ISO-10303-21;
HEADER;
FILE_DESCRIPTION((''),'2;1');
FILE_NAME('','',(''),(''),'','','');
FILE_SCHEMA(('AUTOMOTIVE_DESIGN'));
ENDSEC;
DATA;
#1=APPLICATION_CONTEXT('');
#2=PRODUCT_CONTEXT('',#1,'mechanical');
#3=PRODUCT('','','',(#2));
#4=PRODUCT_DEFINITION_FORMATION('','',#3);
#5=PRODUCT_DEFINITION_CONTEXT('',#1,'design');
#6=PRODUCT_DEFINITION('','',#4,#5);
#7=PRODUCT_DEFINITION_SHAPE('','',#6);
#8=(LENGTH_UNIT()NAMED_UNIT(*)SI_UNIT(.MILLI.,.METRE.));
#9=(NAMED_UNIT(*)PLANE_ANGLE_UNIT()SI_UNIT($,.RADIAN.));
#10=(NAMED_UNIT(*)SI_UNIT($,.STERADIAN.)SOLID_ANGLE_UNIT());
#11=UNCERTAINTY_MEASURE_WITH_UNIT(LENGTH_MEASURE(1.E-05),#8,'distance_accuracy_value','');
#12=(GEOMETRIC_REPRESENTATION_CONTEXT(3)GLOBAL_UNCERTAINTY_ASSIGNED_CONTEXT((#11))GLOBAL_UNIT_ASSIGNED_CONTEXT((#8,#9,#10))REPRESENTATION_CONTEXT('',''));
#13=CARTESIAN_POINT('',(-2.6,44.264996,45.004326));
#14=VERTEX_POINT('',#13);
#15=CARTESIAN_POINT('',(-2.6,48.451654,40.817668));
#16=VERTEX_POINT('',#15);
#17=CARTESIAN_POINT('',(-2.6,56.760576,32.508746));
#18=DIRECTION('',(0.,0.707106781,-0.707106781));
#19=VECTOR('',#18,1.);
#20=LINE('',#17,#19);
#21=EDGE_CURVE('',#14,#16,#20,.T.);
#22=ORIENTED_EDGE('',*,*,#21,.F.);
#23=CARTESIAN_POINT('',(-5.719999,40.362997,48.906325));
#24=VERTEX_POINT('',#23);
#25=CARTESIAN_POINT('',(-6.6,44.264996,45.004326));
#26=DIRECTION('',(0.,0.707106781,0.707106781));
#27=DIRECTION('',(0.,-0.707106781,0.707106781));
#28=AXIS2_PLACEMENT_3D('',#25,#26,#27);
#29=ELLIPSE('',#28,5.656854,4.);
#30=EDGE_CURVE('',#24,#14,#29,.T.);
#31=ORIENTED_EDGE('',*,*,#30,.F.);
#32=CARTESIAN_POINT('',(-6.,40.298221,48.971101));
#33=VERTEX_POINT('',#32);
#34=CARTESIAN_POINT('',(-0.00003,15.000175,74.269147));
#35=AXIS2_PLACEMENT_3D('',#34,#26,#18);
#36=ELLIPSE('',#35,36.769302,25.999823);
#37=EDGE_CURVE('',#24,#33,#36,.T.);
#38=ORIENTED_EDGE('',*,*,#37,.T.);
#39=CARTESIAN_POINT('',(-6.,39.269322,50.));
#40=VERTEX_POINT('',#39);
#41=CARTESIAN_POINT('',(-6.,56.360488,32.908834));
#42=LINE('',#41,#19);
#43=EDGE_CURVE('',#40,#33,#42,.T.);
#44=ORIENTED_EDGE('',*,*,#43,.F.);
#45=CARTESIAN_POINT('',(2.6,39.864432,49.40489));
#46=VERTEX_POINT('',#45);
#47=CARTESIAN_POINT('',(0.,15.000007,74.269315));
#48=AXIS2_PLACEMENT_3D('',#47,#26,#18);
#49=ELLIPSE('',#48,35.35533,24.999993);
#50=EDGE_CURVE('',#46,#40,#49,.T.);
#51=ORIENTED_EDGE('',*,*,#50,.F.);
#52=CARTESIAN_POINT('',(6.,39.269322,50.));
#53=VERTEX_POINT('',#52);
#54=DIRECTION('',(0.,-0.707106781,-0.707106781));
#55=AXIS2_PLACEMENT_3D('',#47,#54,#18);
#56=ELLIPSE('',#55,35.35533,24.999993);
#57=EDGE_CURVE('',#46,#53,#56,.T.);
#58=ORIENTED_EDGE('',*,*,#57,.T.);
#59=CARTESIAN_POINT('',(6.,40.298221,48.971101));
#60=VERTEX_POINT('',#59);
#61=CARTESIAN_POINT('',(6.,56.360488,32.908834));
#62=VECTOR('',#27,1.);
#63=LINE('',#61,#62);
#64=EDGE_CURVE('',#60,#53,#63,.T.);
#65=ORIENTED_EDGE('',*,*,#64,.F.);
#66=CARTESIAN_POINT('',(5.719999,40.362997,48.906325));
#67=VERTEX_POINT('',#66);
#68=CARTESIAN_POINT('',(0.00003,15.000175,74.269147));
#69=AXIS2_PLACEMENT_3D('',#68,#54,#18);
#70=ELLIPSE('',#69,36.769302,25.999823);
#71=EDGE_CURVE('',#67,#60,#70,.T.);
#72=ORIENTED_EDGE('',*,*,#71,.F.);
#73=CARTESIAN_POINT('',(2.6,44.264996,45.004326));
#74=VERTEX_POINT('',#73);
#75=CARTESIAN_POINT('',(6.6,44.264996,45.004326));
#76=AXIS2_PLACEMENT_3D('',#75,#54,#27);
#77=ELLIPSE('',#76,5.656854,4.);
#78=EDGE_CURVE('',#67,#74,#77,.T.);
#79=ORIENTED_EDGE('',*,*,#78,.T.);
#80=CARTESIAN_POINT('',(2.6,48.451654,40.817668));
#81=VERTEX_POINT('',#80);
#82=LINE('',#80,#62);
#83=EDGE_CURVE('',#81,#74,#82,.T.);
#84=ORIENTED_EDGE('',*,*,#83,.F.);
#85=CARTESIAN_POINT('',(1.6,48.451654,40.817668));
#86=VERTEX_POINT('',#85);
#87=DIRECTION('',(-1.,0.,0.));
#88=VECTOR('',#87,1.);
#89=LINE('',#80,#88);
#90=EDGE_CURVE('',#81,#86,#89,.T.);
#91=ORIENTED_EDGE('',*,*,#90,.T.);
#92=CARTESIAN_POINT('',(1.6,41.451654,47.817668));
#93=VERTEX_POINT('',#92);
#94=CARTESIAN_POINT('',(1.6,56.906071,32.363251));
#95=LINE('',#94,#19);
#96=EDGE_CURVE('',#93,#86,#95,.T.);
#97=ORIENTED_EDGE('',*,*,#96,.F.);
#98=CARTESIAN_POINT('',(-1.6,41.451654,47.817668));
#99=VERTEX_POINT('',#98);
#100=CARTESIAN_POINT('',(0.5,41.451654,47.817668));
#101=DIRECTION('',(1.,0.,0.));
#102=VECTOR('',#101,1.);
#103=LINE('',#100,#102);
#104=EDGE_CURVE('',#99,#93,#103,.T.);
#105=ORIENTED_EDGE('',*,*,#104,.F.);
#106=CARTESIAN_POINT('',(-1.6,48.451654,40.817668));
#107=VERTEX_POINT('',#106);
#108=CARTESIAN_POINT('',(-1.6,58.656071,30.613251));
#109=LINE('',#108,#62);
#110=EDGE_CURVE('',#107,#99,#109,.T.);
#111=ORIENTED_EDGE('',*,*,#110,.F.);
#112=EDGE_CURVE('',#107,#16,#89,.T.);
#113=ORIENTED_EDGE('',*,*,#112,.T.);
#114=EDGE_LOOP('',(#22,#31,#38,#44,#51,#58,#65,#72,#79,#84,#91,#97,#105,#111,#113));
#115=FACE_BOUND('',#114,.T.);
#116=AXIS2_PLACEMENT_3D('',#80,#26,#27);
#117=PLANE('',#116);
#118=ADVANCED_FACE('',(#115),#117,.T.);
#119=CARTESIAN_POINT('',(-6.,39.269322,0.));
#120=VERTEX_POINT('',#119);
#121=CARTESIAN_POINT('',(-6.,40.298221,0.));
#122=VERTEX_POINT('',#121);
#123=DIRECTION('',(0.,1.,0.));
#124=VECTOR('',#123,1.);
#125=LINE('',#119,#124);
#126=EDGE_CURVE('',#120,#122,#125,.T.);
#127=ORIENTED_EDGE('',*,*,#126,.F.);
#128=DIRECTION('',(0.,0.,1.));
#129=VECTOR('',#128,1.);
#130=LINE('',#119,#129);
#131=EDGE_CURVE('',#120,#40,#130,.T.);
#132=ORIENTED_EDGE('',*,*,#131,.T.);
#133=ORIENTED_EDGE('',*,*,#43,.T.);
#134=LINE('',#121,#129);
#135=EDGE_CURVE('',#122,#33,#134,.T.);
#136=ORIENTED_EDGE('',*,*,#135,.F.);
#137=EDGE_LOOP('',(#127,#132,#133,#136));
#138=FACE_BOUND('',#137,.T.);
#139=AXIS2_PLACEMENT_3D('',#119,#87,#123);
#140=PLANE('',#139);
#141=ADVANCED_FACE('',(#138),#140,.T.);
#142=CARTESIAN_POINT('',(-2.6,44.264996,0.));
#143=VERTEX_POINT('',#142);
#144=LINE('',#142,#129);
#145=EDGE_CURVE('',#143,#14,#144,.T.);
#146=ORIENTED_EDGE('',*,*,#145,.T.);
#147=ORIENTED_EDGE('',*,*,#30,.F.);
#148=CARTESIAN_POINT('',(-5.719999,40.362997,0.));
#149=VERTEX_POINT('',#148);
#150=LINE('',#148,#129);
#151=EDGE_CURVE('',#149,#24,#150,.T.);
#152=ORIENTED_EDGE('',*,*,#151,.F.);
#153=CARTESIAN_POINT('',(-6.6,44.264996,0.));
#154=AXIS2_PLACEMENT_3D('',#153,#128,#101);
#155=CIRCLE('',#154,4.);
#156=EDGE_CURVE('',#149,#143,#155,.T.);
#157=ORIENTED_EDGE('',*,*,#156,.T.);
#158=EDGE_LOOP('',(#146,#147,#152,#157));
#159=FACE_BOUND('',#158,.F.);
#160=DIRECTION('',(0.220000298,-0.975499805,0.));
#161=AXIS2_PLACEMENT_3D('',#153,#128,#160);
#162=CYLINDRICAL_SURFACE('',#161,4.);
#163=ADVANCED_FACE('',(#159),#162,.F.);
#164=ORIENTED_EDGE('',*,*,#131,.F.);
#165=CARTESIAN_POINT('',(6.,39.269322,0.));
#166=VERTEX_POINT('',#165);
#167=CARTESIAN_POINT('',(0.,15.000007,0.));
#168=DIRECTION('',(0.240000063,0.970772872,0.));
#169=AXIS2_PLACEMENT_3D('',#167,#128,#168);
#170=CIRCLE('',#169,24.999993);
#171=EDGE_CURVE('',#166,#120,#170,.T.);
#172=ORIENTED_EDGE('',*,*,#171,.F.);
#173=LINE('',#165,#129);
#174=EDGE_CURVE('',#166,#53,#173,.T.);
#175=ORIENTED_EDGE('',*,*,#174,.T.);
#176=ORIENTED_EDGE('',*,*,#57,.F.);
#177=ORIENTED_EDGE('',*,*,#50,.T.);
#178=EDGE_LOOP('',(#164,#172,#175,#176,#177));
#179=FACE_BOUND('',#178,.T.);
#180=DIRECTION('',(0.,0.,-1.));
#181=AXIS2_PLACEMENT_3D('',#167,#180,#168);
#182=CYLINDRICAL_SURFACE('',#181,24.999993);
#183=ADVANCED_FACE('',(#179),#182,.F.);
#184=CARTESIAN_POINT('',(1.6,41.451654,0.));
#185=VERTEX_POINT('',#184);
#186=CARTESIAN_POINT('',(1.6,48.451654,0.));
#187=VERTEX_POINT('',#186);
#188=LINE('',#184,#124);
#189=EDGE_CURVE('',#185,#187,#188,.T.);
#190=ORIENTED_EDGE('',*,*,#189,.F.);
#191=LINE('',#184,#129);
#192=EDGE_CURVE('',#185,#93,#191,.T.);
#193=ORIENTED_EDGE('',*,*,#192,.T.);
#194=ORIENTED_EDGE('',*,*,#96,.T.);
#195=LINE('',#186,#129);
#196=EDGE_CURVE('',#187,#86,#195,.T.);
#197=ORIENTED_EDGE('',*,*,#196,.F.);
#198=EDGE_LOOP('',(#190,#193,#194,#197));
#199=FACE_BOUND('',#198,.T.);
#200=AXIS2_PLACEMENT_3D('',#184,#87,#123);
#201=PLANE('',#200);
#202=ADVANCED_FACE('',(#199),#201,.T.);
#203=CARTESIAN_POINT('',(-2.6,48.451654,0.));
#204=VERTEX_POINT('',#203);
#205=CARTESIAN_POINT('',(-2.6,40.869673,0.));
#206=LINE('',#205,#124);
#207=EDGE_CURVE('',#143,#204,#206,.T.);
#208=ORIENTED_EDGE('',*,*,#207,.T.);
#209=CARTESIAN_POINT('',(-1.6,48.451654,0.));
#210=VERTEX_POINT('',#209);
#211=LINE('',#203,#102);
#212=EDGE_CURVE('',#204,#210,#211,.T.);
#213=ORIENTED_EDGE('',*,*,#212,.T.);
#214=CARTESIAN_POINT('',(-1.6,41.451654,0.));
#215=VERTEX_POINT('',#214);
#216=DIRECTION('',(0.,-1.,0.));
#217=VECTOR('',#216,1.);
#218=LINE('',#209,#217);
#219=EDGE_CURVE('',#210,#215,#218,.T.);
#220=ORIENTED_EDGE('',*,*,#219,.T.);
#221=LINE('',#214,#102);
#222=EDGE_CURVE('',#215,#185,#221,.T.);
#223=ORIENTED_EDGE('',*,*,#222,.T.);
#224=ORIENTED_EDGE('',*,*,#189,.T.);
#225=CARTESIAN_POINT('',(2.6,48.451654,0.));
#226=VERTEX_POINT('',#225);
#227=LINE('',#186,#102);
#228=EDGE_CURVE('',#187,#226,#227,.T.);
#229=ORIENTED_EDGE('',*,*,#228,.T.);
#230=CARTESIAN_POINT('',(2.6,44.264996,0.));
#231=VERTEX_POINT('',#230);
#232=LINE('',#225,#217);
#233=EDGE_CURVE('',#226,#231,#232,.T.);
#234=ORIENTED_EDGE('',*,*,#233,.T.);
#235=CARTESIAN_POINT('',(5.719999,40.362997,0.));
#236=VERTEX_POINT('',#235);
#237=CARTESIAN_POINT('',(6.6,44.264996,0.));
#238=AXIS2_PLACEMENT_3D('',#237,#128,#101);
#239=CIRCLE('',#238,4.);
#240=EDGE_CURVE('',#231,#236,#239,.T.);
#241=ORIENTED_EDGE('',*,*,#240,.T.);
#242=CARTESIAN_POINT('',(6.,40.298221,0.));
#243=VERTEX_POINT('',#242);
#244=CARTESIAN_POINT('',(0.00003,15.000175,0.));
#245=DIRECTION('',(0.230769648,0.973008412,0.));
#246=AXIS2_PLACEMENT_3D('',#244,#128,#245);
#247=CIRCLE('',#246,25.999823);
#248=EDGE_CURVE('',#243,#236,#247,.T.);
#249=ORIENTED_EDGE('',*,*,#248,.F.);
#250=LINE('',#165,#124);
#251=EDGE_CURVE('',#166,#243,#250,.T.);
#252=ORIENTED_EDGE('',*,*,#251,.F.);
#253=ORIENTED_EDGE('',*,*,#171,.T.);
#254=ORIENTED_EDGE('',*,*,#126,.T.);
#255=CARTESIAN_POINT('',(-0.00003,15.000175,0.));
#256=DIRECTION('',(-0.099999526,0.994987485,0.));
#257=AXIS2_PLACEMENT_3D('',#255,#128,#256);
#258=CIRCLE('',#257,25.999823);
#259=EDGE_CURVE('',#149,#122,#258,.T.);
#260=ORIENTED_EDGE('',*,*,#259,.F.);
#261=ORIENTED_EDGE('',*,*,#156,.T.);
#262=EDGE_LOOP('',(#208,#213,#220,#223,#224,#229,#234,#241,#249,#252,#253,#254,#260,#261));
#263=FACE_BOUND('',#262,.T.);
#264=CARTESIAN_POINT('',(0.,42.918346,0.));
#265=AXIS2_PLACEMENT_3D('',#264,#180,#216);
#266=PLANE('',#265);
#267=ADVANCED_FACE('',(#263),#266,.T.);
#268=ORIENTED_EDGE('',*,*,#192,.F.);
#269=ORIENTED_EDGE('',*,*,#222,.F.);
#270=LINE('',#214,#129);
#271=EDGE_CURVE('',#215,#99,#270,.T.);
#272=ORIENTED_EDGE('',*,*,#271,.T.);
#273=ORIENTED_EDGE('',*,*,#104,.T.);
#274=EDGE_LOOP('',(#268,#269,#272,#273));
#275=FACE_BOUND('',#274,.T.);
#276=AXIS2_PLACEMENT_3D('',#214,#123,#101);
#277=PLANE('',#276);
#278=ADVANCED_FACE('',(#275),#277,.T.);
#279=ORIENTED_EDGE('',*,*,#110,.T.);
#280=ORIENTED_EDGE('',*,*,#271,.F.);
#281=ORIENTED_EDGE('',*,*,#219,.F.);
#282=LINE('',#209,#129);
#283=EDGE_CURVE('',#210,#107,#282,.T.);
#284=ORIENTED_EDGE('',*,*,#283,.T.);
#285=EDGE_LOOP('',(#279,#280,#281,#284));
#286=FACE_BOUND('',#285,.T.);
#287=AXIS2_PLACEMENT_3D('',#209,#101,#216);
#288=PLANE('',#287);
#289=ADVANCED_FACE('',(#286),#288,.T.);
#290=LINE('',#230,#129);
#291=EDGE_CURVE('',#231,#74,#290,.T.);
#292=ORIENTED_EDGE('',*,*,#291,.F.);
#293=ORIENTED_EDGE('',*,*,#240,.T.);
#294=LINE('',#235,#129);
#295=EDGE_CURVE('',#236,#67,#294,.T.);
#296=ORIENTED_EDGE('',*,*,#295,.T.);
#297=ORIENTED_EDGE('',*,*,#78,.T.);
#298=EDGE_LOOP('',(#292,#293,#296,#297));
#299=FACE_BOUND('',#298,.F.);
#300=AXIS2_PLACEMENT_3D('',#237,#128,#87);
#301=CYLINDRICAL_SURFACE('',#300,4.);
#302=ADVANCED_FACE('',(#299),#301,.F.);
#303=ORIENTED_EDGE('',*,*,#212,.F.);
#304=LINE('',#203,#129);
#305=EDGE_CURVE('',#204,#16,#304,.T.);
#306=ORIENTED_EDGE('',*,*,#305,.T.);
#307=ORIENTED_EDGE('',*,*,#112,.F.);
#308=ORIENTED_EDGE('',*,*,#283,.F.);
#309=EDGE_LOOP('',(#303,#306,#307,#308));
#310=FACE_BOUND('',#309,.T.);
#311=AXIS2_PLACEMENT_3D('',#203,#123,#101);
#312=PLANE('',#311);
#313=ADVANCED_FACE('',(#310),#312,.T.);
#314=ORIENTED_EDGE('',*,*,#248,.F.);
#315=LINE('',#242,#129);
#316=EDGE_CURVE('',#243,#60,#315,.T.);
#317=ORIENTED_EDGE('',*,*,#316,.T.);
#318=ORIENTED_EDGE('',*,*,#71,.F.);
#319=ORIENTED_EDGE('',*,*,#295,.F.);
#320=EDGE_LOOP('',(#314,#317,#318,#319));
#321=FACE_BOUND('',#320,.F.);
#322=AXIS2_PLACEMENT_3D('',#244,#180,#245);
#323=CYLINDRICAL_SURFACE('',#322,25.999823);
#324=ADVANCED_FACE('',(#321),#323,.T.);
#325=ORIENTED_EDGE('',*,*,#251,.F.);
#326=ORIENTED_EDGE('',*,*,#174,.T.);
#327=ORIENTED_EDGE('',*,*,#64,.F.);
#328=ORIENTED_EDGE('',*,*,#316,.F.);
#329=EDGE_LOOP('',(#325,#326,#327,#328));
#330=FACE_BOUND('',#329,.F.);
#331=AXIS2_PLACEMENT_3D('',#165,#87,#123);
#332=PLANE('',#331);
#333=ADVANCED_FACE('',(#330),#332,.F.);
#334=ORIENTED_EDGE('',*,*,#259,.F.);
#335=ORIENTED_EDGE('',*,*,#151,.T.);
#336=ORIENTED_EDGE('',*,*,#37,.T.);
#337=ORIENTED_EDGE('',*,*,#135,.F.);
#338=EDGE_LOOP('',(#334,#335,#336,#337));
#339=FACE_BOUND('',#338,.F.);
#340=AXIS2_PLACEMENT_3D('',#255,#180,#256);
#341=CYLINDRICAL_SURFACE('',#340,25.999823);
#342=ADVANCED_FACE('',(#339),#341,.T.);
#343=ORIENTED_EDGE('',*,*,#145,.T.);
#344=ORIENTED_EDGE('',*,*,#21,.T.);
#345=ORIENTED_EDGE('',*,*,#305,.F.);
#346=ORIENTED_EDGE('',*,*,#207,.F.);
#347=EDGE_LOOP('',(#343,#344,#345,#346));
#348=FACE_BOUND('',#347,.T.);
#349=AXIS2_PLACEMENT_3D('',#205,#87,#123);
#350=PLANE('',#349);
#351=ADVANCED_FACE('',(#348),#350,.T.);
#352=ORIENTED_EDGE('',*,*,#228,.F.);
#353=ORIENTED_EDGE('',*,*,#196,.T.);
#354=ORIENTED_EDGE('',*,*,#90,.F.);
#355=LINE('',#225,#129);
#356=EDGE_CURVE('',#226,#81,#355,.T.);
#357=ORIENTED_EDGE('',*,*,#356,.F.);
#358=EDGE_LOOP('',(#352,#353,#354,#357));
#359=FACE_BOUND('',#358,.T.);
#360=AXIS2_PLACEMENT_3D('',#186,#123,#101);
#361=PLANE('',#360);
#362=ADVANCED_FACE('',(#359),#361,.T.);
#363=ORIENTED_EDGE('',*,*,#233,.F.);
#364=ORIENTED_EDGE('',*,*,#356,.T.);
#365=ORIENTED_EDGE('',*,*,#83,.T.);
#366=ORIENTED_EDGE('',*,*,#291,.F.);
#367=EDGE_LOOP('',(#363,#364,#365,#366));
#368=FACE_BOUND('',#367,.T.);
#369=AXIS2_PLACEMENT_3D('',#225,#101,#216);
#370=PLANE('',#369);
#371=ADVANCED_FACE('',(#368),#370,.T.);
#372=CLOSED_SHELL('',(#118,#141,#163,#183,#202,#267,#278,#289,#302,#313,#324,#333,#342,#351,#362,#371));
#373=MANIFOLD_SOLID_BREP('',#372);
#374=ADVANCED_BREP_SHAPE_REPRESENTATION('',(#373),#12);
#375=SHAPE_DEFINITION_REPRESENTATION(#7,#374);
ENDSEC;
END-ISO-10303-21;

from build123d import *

# Parameters (mm, degrees)
PAD002_DEPTH            = 50
FILLET001_R             = 4
POCKET001_DEPTH         = 8.601
POCKET001_DEPTH_BACK    = 3.401
BODY003_PLACEMENT_ANGLE = 90


with BuildPart() as part:
    # Sketch004 → Pad002 (new body)
    with BuildSketch(Plane.XY):
        with BuildLine():
            ThreePointArc((24.269322, -6), (25, 0), (24.269322, 6))
            Line((24.269322, 6), (25.298221, 6))
            ThreePointArc((25.869673, 2.6), (25.640366, 4.309482), (25.298221, 6))
            Line((25.869673, 2.6), (33.451654, 2.6))
            Line((33.451654, 2.6), (33.451654, 1.6))
            Line((33.451654, 1.6), (26.451654, 1.6))
            Line((26.451654, 1.6), (26.451654, -1.6))
            Line((26.451654, -1.6), (33.451654, -1.6))
            Line((33.451654, -1.6), (33.451654, -2.6))
            Line((33.451654, -2.6), (25.869673, -2.6))
            ThreePointArc((25.298221, -6), (25.640366, -4.309482), (25.869673, -2.6))
            Line((24.269322, -6), (25.298221, -6))
        make_face()
    extrude(amount=PAD002_DEPTH)

    # Fillet001
    fillet001_edges = [part.edges().sort_by_distance(p)[0] for p in [
        (25.869673, -2.6, 25),
        (25.869673, 2.6, 25),
    ]]
    fillet(fillet001_edges, radius=FILLET001_R)

    # Sketch005 (on Face15 of Fillet001) → Pocket001 (cut, two sides)
    with BuildSketch(Plane.XZ.offset(2.6)) as pocket001_sk:
        Polygon((33.451654, 50), (33.451654, 40.817668), (24.269322, 50), align=None)
    extrude(amount=-POCKET001_DEPTH, mode=Mode.SUBTRACT)
    extrude(pocket001_sk.sketch, amount=POCKET001_DEPTH_BACK, mode=Mode.SUBTRACT)


with BuildPart() as part_1:
    # Body003 placement: moved
    add(part.part.moved(Location((0, 15, 0))).rotate(Axis((0, 15, 0), (0, 0, 1)), BODY003_PLACEMENT_ANGLE))


solid = part_1.part
